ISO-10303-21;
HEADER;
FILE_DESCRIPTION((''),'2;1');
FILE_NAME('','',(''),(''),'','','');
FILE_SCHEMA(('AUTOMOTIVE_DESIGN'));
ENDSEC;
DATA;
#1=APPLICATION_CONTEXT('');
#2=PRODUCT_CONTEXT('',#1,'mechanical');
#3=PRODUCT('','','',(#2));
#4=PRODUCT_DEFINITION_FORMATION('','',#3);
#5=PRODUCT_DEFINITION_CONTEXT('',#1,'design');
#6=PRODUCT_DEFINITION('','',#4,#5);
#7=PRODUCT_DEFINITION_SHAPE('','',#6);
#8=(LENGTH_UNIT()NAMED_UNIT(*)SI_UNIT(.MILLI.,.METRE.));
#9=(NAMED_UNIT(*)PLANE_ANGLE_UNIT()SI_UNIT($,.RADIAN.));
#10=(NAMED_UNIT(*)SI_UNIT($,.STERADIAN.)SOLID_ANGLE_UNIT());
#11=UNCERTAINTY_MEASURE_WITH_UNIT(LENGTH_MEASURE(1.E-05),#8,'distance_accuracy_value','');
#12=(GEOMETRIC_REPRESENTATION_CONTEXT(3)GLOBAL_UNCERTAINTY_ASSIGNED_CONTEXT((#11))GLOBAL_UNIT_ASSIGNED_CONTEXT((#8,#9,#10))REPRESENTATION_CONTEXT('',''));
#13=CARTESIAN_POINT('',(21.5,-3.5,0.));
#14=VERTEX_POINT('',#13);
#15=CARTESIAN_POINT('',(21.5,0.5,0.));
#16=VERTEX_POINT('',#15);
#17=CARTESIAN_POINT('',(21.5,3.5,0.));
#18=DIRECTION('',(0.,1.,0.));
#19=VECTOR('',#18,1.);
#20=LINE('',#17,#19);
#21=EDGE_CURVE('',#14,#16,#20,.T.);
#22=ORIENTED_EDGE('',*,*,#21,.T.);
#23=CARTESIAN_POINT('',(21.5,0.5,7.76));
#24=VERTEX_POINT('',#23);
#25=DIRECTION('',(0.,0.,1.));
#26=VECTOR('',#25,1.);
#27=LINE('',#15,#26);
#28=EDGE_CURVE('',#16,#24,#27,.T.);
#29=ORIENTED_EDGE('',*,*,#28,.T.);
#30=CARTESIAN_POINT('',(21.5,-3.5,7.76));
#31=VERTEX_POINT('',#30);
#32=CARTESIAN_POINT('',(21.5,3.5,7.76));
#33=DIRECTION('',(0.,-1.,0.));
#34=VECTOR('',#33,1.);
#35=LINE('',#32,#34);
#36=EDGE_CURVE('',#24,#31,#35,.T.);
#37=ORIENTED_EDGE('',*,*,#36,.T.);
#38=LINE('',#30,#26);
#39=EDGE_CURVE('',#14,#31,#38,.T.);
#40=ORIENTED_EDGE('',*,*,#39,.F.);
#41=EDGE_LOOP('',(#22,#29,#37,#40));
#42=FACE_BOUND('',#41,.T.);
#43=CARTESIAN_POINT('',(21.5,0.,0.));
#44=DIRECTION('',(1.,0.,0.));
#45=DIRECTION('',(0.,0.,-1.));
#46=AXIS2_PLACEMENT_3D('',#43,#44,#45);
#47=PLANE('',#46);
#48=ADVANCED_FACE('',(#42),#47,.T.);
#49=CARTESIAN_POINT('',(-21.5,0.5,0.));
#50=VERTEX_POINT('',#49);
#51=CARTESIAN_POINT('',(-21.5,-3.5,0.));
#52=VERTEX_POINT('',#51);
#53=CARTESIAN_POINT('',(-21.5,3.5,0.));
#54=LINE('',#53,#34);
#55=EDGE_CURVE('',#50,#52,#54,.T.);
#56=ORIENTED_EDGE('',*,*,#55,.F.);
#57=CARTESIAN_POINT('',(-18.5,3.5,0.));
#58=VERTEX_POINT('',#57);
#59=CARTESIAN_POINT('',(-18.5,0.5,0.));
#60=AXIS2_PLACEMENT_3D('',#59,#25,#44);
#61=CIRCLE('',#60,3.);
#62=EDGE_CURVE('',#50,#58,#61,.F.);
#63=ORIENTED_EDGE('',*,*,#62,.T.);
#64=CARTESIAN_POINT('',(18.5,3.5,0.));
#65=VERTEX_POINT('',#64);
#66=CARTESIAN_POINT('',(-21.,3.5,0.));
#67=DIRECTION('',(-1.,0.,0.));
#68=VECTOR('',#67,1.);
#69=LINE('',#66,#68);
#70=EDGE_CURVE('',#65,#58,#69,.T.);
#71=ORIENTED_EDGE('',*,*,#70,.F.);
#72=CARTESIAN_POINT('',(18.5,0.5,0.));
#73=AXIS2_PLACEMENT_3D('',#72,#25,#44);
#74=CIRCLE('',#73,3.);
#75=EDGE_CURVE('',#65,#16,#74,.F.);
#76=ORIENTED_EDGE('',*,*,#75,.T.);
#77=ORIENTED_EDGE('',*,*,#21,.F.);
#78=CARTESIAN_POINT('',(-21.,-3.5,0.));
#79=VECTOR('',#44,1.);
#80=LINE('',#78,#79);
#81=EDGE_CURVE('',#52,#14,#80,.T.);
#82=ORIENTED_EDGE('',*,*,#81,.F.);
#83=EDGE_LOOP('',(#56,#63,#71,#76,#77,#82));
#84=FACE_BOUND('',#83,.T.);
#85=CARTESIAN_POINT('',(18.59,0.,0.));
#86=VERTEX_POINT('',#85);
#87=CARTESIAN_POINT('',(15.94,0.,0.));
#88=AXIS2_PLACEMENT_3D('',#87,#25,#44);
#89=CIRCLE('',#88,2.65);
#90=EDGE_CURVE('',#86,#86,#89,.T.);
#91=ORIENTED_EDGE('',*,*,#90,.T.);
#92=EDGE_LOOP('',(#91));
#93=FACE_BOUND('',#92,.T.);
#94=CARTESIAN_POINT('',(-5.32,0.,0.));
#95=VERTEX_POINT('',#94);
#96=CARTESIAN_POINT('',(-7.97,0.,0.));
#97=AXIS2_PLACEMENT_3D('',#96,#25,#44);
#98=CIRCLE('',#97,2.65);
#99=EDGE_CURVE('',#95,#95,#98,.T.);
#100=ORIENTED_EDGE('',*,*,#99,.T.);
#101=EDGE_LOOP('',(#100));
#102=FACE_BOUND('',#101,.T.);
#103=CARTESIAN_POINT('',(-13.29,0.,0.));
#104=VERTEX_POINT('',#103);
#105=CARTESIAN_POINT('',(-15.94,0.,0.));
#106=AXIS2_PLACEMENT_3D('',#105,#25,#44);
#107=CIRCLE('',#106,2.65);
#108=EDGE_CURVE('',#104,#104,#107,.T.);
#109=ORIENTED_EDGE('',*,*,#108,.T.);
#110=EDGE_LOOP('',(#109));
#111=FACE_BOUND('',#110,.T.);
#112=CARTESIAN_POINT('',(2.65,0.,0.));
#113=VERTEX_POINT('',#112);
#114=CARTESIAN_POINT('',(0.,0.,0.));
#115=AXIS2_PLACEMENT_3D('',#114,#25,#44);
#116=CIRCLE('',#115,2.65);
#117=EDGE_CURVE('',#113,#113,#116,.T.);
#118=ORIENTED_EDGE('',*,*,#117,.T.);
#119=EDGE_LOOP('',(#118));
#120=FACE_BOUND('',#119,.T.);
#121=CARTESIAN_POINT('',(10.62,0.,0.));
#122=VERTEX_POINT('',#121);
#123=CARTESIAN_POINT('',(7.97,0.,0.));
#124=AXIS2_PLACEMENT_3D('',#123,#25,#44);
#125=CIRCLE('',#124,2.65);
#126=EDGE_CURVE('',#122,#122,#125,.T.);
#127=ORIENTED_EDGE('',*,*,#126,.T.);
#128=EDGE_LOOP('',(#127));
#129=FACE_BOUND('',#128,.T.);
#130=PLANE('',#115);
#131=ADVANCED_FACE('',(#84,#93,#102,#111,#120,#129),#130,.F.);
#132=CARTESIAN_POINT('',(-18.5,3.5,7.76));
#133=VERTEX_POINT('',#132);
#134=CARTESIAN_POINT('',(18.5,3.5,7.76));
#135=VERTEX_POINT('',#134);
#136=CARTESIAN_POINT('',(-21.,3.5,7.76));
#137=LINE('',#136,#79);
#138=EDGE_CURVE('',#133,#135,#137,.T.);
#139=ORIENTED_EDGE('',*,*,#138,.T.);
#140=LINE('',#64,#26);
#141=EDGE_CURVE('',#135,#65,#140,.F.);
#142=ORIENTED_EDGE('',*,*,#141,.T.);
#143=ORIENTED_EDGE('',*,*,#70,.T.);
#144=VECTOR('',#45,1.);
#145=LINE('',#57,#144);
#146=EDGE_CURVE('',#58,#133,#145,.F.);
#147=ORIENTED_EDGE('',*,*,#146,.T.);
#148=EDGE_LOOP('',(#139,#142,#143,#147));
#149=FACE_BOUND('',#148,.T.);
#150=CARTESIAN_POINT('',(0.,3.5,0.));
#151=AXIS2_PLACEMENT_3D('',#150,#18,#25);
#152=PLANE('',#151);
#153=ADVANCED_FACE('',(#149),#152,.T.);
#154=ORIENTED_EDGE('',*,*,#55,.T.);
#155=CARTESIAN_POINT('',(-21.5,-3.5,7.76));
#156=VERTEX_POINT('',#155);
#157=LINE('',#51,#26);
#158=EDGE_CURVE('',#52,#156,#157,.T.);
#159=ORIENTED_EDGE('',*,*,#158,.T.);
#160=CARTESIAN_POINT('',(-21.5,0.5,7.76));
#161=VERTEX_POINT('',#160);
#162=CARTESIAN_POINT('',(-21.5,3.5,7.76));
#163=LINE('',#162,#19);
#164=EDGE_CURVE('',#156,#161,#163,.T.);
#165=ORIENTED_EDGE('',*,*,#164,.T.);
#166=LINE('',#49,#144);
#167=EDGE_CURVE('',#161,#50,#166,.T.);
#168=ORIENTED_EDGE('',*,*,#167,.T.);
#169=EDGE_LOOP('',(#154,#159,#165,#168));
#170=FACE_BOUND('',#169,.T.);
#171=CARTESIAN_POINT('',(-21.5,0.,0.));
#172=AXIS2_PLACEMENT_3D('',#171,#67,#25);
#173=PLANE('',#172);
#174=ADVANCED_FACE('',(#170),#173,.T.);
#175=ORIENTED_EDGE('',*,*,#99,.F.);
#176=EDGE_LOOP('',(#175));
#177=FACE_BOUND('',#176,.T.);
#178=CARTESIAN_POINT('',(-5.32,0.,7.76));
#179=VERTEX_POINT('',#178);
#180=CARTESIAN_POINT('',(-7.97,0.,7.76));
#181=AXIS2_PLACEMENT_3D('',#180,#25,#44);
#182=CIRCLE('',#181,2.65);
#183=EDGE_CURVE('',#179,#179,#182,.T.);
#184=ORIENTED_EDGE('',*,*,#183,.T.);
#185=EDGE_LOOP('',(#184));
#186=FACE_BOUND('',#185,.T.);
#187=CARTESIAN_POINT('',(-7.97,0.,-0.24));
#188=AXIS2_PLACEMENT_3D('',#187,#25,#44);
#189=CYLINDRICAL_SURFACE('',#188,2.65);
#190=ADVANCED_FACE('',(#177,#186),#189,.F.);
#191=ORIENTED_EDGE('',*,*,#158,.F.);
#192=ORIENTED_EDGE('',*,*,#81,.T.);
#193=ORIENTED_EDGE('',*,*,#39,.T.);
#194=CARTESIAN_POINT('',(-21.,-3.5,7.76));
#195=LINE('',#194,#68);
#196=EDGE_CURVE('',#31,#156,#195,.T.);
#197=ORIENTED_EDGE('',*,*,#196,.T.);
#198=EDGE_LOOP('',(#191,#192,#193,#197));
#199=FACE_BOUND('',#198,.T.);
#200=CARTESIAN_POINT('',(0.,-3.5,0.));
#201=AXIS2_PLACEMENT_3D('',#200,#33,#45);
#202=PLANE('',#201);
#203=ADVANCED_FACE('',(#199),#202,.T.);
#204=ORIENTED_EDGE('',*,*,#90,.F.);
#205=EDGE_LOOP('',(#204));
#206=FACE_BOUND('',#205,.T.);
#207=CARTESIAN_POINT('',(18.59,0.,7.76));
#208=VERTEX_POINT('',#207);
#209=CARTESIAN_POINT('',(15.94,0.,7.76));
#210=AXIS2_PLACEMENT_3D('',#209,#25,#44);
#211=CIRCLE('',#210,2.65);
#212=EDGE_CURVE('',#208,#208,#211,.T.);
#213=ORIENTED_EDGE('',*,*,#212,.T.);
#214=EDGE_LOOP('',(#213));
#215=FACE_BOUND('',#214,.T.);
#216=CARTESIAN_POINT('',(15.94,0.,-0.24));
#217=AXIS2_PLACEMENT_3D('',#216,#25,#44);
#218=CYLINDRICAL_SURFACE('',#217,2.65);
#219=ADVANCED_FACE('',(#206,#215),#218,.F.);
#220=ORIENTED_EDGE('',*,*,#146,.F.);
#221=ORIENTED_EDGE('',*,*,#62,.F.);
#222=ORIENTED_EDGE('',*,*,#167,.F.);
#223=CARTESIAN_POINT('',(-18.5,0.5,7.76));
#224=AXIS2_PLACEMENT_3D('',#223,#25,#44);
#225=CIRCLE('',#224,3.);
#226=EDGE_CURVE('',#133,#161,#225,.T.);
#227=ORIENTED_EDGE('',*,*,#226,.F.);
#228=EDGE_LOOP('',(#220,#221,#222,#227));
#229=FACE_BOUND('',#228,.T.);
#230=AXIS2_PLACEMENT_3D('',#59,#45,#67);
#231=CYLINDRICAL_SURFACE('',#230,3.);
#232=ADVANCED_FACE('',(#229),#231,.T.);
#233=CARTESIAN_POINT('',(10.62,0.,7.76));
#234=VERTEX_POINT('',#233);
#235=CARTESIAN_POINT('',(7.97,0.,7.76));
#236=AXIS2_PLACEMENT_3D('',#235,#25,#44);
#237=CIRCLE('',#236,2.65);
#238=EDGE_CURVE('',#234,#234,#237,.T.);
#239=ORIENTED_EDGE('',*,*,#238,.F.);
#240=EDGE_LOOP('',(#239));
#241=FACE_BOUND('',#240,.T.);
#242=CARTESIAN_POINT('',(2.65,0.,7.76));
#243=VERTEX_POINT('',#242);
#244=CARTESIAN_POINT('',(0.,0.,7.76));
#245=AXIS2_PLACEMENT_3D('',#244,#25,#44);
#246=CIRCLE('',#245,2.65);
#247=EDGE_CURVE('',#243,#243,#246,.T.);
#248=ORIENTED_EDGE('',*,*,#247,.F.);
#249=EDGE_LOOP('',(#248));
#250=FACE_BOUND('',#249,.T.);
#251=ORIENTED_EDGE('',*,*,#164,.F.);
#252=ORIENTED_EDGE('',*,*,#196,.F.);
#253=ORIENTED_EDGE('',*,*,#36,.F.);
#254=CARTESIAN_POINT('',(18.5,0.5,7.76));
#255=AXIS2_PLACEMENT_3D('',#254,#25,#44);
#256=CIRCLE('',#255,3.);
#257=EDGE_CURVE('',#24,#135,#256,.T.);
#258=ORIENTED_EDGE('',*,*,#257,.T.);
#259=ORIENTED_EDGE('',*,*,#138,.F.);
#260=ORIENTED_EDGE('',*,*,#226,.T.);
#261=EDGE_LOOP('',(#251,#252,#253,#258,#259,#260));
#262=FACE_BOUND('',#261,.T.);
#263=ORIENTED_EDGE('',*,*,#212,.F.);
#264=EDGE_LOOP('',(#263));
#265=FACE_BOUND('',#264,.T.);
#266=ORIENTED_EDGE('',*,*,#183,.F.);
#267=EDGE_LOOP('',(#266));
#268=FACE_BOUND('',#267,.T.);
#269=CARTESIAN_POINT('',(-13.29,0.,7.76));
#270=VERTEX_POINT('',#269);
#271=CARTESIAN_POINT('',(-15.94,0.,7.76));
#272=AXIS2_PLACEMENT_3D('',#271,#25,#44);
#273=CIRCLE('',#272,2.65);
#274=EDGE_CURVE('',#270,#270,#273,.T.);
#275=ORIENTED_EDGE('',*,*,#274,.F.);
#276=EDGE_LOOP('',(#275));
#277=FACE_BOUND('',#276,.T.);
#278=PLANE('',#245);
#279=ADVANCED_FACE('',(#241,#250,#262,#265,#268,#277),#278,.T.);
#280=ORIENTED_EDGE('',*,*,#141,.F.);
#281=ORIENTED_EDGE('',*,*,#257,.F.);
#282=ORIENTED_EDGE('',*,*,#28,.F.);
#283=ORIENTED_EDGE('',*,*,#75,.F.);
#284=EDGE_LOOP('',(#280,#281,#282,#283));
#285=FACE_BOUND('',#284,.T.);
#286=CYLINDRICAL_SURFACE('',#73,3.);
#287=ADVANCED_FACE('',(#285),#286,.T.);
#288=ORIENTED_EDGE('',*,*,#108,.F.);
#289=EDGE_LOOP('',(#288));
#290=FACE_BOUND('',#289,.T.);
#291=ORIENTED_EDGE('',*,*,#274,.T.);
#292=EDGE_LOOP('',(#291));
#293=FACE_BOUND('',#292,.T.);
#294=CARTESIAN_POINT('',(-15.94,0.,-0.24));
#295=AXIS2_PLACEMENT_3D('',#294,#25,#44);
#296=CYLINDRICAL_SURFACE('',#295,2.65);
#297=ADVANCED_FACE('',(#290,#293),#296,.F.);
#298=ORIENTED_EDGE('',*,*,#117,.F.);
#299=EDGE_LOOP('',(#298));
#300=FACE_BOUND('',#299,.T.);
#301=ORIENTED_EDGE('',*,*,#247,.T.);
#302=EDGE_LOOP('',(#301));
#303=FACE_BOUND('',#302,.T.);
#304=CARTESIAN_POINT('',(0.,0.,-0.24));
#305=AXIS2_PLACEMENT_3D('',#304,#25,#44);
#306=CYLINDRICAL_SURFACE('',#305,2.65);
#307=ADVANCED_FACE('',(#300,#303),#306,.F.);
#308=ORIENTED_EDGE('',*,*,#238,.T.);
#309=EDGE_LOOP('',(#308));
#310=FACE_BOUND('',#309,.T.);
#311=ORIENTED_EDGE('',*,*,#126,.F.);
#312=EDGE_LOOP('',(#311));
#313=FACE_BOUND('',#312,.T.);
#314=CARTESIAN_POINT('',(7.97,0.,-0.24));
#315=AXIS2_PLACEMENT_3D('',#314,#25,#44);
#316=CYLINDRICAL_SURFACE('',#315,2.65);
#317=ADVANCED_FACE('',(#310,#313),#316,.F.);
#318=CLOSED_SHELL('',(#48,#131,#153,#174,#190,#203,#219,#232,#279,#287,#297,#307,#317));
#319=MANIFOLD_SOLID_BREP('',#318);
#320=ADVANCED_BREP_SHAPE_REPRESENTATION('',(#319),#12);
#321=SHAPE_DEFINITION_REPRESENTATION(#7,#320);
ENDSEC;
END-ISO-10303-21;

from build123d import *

# Parameters (mm, degrees)
SKETCH1_W           = 30
SKETCH1_H           = 6
BOSS_EXTRUDE1_DEPTH = 7.76
SKETCH2_R           = 2.65
CUT_EXTRUDE1_DEPTH  = 8
SKETCH3_W           = 7.76
SKETCH3_H           = 6
BOSS_EXTRUDE2_DEPTH = 6
SKETCH4_W           = 7.76
SKETCH4_H           = 6
BOSS_EXTRUDE3_DEPTH = 6
SKETCH5_R           = 2.65
CUT_EXTRUDE2_DEPTH  = 8
SKETCH6_W           = 42
SKETCH6_H           = 7.76
BOSS_EXTRUDE4_DEPTH = 0.5
SKETCH7_W           = 7.76
SKETCH7_H           = 6.5
BOSS_EXTRUDE5_DEPTH = 0.5
SKETCH8_W           = 42.5
SKETCH8_H           = 7.76
BOSS_EXTRUDE6_DEPTH = 0.5
SKETCH9_W           = 7.76
SKETCH9_H           = 7
BOSS_EXTRUDE7_DEPTH = 0.5
FILLET1_R           = 3


with BuildPart() as part:
    # Sketch1 → Boss-Extrude1 (new body)
    with BuildSketch(Plane.XY):
        Rectangle(SKETCH1_W, SKETCH1_H)
    extrude(amount=BOSS_EXTRUDE1_DEPTH)

    # Sketch2 → Cut-Extrude1 (cut)
    with BuildSketch(Plane.XY.offset(7.76)):
        Circle(SKETCH2_R)
        with Locations((7.97, 0)):
            Circle(SKETCH2_R)
        with Locations((-7.97, 0)):
            Circle(SKETCH2_R)
    extrude(amount=-CUT_EXTRUDE1_DEPTH, mode=Mode.SUBTRACT)

    # Sketch3 → Boss-Extrude2 (add)
    with BuildSketch(Plane.ZY.offset(15)):
        with Locations((3.88, 0)):
            Rectangle(SKETCH3_W, SKETCH3_H)
    extrude(amount=BOSS_EXTRUDE2_DEPTH)

    # Sketch4 → Boss-Extrude3 (add)
    with BuildSketch(Plane(origin=(15, 0, 0), x_dir=(0, 0, -1), z_dir=(1, 0, 0))):
        with Locations((-3.88, 0)):
            Rectangle(SKETCH4_W, SKETCH4_H)
    extrude(amount=BOSS_EXTRUDE3_DEPTH)

    # Sketch5 → Cut-Extrude2 (cut)
    with BuildSketch(Plane.XY.offset(7.76)):
        with Locations((-15.94, 0)):
            Circle(SKETCH5_R)
        with Locations((15.94, 0)):
            Circle(SKETCH5_R)
    extrude(amount=-CUT_EXTRUDE2_DEPTH, mode=Mode.SUBTRACT)

    # Sketch6 → Boss-Extrude4 (add)
    with BuildSketch(Plane(origin=(0, 3, 0), x_dir=(1, 0, 0), z_dir=(0, 1, 0))):
        with Locations((0, -3.88)):
            Rectangle(SKETCH6_W, SKETCH6_H)
    extrude(amount=BOSS_EXTRUDE4_DEPTH)

    # Sketch7 → Boss-Extrude5 (add)
    with BuildSketch(Plane(origin=(21, 0, 0), x_dir=(0, 0, -1), z_dir=(1, 0, 0))):
        with Locations((-3.88, 0.25)):
            Rectangle(SKETCH7_W, SKETCH7_H)
    extrude(amount=BOSS_EXTRUDE5_DEPTH)

    # Sketch8 → Boss-Extrude6 (add)
    with BuildSketch(Plane.XZ.offset(3)):
        with Locations((0.25, 3.88)):
            Rectangle(SKETCH8_W, SKETCH8_H)
    extrude(amount=BOSS_EXTRUDE6_DEPTH)

    # Sketch9 → Boss-Extrude7 (add)
    with BuildSketch(Plane.ZY.offset(21)):
        with Locations((3.88, 0)):
            Rectangle(SKETCH9_W, SKETCH9_H)
    extrude(amount=BOSS_EXTRUDE7_DEPTH)

    # Fillet1
    fillet1_edges = [part.edges().sort_by_distance(p)[0] for p in [
        (-21.5, 3.5, 3.88),
        (21.5, 3.5, 3.88),
    ]]
    fillet(fillet1_edges, radius=FILLET1_R)


solid = part.part
